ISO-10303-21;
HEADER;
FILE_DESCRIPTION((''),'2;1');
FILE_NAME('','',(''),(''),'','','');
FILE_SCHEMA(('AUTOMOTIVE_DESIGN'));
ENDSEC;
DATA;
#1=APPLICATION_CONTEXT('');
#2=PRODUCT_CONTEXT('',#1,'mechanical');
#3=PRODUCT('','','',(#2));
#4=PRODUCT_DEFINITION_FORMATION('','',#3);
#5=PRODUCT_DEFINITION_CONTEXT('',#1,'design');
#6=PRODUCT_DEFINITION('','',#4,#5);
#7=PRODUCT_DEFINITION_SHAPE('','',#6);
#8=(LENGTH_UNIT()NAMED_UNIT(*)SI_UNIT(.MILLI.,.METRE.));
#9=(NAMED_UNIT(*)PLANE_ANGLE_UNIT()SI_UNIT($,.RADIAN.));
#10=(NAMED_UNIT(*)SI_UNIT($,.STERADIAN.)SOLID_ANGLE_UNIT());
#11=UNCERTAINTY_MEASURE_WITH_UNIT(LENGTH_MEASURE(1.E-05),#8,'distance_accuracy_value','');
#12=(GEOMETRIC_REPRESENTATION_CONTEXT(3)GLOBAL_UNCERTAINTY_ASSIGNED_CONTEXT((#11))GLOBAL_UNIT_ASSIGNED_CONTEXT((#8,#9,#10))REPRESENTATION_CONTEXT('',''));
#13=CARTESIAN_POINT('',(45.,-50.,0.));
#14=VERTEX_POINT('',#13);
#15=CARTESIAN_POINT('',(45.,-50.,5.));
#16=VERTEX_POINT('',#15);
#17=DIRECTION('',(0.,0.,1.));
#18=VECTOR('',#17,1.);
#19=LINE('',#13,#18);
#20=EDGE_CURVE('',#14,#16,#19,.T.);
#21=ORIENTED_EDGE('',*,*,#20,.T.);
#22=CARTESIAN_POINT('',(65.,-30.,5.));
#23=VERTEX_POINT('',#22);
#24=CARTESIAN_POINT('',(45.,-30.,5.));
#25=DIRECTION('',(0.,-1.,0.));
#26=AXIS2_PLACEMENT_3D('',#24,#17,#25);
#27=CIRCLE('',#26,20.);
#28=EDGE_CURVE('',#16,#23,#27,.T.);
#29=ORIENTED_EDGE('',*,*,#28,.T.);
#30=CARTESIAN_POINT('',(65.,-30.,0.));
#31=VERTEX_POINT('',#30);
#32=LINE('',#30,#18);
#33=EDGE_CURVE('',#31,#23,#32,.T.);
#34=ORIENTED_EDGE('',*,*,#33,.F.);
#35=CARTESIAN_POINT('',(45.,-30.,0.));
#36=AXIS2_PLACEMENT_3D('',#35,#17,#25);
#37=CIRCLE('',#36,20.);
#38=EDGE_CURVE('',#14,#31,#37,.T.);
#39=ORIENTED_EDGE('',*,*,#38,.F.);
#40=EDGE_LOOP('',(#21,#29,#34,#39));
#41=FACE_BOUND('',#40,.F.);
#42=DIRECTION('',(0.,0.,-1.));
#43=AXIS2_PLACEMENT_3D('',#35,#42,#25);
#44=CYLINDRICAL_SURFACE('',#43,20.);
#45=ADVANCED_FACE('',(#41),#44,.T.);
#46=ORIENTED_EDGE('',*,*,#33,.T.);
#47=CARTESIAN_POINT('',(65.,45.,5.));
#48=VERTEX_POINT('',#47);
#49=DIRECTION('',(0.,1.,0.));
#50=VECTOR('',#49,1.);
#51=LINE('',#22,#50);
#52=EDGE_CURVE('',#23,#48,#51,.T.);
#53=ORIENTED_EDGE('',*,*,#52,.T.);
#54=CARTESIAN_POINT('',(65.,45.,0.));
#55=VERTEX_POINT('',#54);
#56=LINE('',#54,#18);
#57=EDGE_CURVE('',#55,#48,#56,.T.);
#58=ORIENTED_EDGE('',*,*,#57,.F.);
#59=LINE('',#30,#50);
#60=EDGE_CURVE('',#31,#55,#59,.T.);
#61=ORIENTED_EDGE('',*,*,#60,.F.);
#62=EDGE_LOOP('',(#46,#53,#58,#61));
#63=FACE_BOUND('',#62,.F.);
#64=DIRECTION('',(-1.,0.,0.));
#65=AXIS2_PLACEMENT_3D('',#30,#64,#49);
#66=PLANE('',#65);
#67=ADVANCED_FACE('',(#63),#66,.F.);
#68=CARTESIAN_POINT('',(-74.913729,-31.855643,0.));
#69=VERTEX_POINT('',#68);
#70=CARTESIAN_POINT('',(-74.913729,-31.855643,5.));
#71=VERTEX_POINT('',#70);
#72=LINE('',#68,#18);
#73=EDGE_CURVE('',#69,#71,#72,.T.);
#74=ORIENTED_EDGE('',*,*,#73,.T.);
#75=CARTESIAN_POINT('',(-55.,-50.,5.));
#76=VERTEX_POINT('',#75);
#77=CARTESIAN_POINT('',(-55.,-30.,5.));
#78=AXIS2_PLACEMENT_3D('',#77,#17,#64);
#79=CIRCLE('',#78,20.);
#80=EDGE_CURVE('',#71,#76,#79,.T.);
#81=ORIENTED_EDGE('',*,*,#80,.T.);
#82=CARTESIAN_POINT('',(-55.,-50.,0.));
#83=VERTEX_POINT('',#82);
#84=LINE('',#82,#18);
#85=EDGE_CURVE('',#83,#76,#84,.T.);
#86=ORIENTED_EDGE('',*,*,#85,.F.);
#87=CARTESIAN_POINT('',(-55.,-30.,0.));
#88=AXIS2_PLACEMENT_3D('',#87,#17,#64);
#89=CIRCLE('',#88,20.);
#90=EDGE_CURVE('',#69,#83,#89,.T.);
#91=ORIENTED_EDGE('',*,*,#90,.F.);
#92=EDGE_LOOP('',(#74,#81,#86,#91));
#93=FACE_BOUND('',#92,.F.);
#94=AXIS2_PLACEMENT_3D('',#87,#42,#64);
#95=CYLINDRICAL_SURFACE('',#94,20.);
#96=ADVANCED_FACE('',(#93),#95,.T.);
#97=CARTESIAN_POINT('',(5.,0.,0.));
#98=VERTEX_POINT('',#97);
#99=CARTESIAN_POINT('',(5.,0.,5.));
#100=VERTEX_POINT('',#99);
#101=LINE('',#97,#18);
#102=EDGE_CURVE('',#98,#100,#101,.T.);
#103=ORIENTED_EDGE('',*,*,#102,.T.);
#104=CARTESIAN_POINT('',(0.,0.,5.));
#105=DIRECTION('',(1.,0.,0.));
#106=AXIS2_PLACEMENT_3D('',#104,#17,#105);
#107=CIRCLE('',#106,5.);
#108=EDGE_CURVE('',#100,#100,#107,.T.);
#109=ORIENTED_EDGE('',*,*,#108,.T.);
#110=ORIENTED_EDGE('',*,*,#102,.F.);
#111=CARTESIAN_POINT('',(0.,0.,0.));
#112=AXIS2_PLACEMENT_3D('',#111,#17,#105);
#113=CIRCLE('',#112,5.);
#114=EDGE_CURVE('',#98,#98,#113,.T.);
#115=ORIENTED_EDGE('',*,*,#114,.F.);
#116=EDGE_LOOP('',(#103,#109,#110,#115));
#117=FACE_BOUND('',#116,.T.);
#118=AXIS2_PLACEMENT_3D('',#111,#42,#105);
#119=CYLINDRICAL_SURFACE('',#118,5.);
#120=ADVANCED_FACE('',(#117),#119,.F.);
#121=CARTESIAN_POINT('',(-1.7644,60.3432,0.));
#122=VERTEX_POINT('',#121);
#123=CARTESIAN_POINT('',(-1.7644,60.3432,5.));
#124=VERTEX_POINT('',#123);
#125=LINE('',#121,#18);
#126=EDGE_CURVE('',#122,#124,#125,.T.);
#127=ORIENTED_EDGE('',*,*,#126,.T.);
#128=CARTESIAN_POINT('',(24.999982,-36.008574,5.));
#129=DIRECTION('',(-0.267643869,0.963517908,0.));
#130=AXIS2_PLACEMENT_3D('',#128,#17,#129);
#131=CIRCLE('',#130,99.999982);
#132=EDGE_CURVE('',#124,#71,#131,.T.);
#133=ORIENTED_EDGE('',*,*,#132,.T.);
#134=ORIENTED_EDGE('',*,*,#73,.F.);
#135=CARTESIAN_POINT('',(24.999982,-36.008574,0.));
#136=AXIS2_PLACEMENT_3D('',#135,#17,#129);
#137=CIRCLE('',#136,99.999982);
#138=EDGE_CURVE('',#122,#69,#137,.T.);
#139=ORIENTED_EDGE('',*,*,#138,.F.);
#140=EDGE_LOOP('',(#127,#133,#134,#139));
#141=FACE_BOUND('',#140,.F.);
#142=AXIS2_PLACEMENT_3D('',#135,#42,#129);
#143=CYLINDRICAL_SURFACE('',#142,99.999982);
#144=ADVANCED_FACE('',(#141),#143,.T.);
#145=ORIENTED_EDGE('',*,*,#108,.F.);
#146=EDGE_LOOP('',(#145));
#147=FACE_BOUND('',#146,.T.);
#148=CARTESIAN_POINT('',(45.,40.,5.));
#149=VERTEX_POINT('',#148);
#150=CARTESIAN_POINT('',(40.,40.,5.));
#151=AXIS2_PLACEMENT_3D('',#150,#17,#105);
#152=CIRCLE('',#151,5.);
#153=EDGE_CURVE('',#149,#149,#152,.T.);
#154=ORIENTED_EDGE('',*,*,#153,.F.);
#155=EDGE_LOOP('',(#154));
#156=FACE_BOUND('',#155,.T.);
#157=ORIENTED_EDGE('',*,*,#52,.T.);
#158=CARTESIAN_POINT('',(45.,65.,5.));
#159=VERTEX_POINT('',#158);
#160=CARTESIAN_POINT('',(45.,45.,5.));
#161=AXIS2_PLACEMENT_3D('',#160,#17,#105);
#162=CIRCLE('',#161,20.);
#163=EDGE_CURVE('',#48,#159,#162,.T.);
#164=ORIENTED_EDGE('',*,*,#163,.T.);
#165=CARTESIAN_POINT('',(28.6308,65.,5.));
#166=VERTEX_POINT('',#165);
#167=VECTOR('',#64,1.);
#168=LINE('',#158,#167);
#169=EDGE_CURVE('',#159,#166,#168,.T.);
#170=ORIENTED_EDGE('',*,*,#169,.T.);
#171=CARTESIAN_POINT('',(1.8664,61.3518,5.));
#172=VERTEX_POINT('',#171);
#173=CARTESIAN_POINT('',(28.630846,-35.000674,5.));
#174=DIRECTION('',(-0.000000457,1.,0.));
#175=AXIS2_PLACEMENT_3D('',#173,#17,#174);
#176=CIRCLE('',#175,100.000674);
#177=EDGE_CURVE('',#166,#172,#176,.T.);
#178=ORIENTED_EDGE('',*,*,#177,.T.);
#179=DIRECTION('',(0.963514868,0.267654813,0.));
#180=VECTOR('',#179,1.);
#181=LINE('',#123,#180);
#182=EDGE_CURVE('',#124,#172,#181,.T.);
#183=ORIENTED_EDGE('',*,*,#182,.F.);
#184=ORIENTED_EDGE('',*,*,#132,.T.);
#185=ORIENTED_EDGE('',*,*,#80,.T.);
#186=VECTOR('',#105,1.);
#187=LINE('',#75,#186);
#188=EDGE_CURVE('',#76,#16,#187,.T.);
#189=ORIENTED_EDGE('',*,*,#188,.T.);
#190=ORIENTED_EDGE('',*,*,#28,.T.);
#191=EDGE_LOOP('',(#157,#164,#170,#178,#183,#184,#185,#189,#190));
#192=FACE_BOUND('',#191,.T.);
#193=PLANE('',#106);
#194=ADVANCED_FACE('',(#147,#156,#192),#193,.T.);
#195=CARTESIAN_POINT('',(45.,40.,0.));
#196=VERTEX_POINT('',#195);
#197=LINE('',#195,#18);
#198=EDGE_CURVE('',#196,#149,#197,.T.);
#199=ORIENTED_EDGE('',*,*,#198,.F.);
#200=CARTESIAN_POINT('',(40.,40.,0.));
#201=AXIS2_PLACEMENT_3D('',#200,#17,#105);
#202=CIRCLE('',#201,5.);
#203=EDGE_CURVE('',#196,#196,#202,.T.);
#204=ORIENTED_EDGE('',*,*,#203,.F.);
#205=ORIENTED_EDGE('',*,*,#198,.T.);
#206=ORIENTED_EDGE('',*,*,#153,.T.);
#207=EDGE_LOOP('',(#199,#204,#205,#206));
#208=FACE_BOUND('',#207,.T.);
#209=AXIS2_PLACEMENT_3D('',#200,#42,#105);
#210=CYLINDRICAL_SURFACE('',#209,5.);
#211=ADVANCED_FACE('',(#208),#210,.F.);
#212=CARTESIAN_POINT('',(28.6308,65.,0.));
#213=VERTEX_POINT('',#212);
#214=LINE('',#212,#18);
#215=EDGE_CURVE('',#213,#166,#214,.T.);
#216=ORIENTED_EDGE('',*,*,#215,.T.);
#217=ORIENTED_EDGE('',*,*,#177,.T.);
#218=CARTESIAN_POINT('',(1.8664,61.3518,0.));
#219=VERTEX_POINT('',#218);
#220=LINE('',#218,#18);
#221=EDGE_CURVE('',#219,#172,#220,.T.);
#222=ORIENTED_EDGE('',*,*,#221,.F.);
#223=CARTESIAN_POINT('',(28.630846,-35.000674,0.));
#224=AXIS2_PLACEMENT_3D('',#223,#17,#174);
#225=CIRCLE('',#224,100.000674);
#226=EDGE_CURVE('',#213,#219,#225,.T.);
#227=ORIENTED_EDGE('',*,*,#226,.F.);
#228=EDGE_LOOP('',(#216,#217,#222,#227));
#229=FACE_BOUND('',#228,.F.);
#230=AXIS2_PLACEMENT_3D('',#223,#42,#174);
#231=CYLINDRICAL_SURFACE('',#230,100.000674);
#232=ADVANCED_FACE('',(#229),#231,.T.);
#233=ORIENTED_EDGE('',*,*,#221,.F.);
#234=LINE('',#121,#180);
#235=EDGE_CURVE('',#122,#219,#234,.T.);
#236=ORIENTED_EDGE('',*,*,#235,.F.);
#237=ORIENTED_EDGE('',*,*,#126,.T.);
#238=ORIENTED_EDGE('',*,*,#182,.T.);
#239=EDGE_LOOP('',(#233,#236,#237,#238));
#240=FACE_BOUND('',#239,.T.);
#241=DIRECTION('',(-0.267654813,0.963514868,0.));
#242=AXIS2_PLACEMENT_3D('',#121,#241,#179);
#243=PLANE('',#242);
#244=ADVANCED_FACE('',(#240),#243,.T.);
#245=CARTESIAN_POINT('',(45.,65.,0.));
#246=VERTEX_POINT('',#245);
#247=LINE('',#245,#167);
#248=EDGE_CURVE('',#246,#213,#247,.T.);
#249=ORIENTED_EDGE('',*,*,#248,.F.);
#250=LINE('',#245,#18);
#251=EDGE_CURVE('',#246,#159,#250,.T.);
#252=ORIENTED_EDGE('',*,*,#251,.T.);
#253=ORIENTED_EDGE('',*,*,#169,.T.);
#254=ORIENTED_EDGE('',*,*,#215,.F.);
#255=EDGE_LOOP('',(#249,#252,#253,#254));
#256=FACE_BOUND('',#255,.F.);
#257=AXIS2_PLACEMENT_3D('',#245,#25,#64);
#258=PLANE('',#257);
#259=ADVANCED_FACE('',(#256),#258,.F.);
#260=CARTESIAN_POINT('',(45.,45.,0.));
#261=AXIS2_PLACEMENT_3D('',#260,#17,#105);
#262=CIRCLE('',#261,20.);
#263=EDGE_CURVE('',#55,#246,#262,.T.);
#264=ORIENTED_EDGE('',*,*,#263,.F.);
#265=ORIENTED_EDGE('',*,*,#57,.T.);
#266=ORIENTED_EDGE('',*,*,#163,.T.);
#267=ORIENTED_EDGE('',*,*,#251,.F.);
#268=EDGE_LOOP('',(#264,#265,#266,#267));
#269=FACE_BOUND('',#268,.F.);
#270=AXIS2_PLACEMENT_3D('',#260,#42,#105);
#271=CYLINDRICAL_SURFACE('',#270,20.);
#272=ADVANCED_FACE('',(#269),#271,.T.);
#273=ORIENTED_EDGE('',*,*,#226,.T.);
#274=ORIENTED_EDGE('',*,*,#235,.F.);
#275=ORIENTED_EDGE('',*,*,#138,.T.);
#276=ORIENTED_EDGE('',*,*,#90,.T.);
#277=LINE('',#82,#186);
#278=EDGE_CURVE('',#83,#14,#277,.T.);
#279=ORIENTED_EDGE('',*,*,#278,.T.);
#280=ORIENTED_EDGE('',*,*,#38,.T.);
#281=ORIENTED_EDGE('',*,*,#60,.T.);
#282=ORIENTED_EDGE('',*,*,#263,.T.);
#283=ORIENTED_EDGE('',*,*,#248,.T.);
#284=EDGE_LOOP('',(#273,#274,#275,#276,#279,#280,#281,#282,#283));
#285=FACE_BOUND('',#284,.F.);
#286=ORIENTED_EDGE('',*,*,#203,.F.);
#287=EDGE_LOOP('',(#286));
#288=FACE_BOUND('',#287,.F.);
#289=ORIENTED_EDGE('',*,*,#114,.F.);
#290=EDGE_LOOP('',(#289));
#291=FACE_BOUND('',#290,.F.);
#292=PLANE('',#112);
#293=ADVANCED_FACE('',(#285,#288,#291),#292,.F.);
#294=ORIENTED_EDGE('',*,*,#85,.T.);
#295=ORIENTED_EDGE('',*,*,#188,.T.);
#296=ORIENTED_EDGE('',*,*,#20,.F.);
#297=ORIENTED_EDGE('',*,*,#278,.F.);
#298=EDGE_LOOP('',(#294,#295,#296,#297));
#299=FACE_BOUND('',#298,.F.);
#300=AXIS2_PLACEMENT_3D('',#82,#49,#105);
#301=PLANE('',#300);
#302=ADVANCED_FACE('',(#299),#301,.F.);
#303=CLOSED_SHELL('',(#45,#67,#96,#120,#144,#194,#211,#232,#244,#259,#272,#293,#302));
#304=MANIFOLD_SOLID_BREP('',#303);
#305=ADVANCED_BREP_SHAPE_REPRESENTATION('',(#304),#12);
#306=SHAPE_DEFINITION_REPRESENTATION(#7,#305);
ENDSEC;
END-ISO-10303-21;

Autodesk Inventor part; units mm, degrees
ref_plane "YZ Plane" through (0, 0, 0) normal (1, 0, 0) x (0, 1, 0)
ref_plane "XZ Plane" through (0, 0, 0) normal (0, 1, 0) x (-1, 0, 0)
ref_plane "XY Plane" through (0, 0, 0) normal (0, 0, 1) x (1, 0, 0)
sketch "스케치1" plane through (0, 0, 0) normal (0, 0, 1) x (1, 0, 0)
  circle A0 centre (0, 0) radius 5
  circle A1 centre (40, 40) radius 5
  line L0 (-55, -50) -> (45, -50)
  line L1 (65, -30) -> (65, 45)
  line L2 (45, 65) -> (28.6308, 65)
  line L3 (-75, -36.0086) -> (-75, -30)
  arc A2 (45, -50) -> (65, -30) centre (45, -30) ccw
  arc A3 (-75, -30) -> (-55, -50) centre (-55, -30) ccw
  arc A4 (65, 45) -> (45, 65) centre (45, 45) ccw
  line L4 (-1.7644, 60.3432) -> (1.8664, 61.3518)
  arc A5 (-1.7644, 60.3432) -> (-75, -36.0086) centre (25, -36.0086) ccw
  arc A6 (28.6308, 65) -> (1.8664, 61.3518) centre (28.6308, -35) ccw
  point P0 (-75, -50)
  point P1 (65, 65)
  point P2 (65, -50)
  point P3 (-75, 65)
  point P4 (-75, 40)
  point P5 (15, 65)
  point P6 (-74.9137, -31.8556)
  dimension "d0" = 10
  dimension "d1" = 10
  dimension "d2" = 40
  dimension "d3" = 40
  dimension "d4" = 75
  dimension "d5" = 50
  dimension "d6" = 25
  dimension "d7" = 25
  dimension "d10" = 20
  dimension "d11" = 25
  dimension "d12" = 25
  dimension "d13" = 100
extrude "돌출1" add sketch "스케치1" along normal blind 5 contours A3 A5 L4 A6 L2 A4 L1 A2 L0
properties part number "base"
